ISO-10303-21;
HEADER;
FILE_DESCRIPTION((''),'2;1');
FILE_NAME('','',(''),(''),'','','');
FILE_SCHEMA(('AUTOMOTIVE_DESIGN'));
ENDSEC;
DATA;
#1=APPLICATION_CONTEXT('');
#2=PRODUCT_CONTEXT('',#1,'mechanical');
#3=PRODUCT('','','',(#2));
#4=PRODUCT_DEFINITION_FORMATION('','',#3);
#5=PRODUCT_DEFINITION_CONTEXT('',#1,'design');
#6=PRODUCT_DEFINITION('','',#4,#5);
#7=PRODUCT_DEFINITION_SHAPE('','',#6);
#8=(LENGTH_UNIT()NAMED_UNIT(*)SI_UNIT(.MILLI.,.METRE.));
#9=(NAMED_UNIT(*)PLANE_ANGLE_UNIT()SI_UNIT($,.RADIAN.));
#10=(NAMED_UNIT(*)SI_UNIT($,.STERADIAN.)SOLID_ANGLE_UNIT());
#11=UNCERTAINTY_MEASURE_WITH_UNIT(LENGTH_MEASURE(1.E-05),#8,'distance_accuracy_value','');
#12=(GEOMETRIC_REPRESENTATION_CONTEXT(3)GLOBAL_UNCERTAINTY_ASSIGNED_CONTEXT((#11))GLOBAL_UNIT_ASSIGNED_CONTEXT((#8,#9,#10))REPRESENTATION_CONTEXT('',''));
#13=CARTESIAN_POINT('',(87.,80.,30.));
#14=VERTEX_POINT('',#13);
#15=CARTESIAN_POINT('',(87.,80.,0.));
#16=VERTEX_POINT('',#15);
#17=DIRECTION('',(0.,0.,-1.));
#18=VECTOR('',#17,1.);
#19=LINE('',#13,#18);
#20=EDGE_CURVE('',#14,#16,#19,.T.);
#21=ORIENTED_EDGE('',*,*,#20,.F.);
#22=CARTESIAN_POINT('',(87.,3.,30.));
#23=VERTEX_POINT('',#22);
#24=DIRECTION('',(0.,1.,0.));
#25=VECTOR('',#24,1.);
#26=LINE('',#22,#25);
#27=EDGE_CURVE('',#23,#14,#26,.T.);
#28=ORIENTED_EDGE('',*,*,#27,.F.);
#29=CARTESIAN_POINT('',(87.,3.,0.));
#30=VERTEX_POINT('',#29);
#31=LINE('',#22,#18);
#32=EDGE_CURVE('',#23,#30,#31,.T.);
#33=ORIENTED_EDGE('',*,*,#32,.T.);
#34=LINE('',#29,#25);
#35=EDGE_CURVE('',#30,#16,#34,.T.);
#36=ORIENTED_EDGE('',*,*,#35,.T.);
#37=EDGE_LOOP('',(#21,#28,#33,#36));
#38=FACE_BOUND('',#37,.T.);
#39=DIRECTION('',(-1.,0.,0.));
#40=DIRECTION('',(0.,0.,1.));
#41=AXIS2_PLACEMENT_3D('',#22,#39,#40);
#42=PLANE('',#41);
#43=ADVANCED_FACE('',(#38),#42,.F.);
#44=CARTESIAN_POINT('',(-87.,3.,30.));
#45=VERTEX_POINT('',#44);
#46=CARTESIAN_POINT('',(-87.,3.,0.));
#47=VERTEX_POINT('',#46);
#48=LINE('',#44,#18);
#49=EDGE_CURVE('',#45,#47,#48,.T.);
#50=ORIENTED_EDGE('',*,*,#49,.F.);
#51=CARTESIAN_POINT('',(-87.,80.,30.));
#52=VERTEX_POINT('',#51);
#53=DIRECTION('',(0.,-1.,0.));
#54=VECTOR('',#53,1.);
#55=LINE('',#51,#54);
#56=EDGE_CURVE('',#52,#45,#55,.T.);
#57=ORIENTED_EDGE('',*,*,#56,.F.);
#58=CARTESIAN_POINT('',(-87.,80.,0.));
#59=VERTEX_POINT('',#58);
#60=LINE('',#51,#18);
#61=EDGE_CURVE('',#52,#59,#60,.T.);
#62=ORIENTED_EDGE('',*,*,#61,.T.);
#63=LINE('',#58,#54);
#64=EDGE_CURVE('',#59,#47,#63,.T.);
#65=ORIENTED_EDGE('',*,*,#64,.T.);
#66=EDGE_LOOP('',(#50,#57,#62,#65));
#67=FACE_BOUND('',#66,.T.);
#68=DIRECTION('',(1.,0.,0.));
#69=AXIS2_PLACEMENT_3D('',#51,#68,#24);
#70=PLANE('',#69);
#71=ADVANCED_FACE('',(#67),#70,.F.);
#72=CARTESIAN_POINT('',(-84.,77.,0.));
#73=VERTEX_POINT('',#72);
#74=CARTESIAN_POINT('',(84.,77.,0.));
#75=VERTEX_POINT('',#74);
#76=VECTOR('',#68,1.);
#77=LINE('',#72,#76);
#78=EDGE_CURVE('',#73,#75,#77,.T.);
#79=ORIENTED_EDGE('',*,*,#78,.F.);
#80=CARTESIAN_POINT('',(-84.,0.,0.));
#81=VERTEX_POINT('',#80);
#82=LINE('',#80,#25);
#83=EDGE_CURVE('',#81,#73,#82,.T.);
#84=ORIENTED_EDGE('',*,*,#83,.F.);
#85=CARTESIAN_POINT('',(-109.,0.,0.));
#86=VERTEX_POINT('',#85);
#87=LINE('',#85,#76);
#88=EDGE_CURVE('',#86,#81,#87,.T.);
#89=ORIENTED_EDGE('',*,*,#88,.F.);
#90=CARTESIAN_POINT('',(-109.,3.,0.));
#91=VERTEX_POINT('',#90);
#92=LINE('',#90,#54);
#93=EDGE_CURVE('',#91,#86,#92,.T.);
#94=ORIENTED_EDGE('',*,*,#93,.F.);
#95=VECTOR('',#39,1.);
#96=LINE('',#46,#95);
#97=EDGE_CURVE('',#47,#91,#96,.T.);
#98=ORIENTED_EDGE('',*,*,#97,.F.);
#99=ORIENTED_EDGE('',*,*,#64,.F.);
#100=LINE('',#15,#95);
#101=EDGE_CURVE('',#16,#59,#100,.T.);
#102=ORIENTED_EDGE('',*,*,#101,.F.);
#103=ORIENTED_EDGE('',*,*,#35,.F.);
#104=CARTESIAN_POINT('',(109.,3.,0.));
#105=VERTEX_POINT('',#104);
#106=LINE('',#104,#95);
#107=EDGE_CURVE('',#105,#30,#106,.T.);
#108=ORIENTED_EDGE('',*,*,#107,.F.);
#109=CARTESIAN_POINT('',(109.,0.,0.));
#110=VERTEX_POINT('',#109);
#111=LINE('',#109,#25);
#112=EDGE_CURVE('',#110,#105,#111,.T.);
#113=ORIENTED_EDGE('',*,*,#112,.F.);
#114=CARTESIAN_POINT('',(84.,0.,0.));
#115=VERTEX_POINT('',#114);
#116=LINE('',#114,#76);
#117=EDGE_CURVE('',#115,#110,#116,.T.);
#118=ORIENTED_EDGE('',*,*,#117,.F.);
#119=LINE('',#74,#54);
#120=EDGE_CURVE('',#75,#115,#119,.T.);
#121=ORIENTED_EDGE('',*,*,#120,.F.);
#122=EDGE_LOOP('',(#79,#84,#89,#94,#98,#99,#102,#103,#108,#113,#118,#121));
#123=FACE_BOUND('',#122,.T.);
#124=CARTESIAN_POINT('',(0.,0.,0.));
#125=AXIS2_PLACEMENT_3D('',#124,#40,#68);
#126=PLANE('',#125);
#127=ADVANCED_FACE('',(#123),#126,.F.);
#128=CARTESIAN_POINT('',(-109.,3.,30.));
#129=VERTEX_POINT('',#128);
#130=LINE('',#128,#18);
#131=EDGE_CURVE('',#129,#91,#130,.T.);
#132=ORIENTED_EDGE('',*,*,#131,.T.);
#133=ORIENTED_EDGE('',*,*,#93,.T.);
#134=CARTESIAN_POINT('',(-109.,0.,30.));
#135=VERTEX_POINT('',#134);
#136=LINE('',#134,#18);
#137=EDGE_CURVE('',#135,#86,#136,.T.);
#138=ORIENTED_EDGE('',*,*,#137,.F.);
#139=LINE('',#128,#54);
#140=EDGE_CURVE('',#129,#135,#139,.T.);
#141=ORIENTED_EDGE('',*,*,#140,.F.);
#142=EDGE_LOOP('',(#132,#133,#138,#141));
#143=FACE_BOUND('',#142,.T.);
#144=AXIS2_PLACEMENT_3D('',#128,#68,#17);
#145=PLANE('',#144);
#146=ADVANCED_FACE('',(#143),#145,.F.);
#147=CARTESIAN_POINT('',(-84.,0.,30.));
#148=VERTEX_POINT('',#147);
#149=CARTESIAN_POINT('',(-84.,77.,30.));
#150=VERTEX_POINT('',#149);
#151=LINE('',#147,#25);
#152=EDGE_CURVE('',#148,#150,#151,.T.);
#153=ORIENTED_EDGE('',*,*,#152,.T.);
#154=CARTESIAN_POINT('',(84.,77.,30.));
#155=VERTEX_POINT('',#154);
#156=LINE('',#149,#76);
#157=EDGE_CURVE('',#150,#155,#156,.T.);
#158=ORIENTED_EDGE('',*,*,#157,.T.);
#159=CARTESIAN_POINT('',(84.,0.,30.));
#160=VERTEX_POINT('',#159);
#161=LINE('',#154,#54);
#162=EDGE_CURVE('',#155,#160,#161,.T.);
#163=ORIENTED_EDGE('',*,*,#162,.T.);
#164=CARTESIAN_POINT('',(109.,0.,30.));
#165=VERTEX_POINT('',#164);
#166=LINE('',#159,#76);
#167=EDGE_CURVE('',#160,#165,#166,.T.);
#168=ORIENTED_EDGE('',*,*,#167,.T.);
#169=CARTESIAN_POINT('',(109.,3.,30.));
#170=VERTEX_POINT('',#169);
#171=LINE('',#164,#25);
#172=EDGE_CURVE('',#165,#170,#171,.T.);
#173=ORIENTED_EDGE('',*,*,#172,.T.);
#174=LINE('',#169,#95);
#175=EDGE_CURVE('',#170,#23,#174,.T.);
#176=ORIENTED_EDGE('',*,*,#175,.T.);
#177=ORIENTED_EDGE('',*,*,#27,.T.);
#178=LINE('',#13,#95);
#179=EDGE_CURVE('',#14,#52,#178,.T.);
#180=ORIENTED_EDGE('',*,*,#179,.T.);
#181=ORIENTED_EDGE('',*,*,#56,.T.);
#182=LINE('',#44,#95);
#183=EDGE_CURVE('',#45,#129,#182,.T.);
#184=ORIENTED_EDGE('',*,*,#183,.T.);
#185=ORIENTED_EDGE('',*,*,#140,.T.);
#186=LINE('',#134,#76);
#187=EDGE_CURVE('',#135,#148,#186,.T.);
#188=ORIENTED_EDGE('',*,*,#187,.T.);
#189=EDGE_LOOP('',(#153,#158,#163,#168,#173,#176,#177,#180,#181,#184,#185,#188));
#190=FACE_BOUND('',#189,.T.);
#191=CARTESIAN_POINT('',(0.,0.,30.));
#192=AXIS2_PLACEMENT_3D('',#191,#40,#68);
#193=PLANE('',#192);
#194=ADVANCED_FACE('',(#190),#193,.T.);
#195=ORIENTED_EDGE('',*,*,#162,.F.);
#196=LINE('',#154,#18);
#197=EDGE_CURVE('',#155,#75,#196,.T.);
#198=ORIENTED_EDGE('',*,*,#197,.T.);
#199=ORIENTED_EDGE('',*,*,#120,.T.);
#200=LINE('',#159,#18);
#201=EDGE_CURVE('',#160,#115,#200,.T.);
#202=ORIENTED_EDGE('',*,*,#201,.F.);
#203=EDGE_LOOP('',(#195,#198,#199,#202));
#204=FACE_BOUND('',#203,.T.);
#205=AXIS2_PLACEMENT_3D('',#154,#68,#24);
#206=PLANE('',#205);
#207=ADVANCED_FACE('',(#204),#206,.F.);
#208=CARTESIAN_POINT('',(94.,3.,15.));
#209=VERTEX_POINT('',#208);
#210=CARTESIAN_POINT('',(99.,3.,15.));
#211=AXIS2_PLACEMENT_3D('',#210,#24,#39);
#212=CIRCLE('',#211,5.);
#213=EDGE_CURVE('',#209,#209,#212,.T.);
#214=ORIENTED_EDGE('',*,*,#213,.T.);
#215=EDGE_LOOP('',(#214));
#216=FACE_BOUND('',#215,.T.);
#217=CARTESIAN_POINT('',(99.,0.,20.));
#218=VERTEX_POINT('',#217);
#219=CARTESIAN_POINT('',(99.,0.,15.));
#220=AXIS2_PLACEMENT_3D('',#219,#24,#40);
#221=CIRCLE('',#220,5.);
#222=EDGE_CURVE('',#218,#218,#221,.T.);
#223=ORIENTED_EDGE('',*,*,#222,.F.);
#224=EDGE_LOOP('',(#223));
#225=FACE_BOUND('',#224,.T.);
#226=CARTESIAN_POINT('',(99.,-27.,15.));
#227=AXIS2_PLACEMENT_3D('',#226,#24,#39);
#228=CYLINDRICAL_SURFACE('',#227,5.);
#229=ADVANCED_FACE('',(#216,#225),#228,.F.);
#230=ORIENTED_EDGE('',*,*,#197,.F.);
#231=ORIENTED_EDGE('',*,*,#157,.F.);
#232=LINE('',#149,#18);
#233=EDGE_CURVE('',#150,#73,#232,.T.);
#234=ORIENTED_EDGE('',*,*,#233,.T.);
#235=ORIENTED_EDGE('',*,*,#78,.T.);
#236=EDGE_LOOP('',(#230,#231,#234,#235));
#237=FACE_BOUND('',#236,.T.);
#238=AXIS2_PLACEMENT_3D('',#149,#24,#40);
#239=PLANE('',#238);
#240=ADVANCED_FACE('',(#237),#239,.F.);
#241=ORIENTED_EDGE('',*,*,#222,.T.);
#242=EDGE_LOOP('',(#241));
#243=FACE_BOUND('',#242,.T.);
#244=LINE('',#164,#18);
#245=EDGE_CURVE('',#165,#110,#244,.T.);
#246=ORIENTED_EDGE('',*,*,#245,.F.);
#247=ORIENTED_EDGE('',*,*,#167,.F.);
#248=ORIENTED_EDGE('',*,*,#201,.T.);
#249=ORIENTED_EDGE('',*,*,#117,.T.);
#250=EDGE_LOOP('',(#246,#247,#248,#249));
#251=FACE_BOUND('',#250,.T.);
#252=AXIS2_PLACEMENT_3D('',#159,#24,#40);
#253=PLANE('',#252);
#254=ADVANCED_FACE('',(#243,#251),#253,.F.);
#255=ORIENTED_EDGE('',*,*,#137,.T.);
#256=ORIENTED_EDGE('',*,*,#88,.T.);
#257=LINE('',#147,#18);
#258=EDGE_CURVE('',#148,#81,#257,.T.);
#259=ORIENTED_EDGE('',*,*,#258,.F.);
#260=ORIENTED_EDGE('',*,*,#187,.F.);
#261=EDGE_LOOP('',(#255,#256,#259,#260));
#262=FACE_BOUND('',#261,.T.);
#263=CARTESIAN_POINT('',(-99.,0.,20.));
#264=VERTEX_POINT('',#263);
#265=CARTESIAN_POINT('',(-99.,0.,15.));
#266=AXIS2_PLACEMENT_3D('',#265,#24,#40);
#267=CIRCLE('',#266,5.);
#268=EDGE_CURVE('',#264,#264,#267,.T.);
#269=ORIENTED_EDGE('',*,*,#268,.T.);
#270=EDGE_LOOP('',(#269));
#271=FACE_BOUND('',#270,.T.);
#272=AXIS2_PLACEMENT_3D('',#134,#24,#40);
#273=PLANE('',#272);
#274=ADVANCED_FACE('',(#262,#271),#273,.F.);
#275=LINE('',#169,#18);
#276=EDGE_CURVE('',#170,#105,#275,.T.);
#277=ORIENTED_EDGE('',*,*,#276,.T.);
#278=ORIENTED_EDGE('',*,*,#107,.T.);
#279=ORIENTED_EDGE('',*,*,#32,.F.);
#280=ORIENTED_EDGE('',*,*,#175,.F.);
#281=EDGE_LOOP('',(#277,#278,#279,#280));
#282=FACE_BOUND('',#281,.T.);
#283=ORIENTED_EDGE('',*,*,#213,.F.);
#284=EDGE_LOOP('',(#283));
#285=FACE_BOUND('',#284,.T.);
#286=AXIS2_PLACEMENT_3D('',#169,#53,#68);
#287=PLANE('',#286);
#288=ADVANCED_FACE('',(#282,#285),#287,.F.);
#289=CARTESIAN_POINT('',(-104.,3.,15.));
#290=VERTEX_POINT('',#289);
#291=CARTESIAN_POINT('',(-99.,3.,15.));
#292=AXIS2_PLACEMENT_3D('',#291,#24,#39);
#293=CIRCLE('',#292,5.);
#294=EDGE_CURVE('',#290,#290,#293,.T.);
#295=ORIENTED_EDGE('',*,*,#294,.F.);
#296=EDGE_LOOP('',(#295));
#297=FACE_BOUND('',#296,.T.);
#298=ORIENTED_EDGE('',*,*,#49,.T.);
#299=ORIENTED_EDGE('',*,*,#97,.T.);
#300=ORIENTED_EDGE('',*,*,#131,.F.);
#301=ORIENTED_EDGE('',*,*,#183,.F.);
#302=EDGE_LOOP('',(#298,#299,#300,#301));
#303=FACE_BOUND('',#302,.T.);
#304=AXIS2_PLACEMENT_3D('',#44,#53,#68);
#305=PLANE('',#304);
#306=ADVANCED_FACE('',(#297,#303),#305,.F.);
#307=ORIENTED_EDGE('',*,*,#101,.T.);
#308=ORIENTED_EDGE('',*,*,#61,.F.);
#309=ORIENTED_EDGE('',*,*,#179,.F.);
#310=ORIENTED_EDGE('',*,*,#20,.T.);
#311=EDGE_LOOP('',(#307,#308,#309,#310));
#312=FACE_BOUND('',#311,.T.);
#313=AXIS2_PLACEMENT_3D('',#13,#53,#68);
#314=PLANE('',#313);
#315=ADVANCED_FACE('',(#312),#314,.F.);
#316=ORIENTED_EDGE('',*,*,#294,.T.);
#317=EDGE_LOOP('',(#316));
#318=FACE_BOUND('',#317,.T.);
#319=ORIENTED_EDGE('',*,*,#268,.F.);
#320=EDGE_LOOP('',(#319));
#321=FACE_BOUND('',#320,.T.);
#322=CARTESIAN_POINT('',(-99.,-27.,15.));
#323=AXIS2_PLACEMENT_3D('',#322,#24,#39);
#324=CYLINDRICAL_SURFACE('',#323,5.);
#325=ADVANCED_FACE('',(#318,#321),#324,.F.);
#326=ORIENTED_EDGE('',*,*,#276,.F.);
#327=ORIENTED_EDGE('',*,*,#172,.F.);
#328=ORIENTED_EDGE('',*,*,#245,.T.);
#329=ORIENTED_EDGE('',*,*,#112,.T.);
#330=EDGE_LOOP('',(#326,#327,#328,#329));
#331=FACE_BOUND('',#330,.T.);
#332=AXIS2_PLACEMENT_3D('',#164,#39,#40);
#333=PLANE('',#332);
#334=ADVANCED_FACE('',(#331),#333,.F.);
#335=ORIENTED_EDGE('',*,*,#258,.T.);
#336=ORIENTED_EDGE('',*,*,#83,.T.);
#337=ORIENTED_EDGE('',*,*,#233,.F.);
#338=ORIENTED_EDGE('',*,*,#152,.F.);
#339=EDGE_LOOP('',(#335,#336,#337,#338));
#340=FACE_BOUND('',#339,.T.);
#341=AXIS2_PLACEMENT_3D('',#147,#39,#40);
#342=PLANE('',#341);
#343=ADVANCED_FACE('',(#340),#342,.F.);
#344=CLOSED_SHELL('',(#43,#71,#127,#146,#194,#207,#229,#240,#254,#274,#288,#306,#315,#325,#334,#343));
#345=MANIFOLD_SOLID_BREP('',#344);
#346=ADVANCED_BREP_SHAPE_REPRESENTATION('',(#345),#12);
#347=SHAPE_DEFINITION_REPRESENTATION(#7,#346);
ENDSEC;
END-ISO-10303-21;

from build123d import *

# Parameters (mm, degrees)
BOSS_EXTRUDE1_DEPTH = 30
SKETCH2_R           = 5
CUT_EXTRUDE1_DEPTH  = 30


with BuildPart() as part:
    # Sketch1 → Boss-Extrude1 (new body)
    with BuildSketch(Plane.XY):
        Polygon((-84, 0), (-84, 77), (84, 77), (84, 0), (109, 0), (109, 3), (87, 3), (87, 80), (-87, 80), (-87, 3), (-109, 3), (-109, 0), align=None)
    extrude(amount=BOSS_EXTRUDE1_DEPTH)

    # Sketch2 → Cut-Extrude1 (cut)
    with BuildSketch(Plane(origin=(0, 3, 0), x_dir=(1, 0, 0), z_dir=(0, 1, 0))):
        with Locations((-99, -15)):
            Circle(SKETCH2_R)
        with Locations((99, -15)):
            Circle(SKETCH2_R)
    extrude(amount=-CUT_EXTRUDE1_DEPTH, mode=Mode.SUBTRACT)


solid = part.part
